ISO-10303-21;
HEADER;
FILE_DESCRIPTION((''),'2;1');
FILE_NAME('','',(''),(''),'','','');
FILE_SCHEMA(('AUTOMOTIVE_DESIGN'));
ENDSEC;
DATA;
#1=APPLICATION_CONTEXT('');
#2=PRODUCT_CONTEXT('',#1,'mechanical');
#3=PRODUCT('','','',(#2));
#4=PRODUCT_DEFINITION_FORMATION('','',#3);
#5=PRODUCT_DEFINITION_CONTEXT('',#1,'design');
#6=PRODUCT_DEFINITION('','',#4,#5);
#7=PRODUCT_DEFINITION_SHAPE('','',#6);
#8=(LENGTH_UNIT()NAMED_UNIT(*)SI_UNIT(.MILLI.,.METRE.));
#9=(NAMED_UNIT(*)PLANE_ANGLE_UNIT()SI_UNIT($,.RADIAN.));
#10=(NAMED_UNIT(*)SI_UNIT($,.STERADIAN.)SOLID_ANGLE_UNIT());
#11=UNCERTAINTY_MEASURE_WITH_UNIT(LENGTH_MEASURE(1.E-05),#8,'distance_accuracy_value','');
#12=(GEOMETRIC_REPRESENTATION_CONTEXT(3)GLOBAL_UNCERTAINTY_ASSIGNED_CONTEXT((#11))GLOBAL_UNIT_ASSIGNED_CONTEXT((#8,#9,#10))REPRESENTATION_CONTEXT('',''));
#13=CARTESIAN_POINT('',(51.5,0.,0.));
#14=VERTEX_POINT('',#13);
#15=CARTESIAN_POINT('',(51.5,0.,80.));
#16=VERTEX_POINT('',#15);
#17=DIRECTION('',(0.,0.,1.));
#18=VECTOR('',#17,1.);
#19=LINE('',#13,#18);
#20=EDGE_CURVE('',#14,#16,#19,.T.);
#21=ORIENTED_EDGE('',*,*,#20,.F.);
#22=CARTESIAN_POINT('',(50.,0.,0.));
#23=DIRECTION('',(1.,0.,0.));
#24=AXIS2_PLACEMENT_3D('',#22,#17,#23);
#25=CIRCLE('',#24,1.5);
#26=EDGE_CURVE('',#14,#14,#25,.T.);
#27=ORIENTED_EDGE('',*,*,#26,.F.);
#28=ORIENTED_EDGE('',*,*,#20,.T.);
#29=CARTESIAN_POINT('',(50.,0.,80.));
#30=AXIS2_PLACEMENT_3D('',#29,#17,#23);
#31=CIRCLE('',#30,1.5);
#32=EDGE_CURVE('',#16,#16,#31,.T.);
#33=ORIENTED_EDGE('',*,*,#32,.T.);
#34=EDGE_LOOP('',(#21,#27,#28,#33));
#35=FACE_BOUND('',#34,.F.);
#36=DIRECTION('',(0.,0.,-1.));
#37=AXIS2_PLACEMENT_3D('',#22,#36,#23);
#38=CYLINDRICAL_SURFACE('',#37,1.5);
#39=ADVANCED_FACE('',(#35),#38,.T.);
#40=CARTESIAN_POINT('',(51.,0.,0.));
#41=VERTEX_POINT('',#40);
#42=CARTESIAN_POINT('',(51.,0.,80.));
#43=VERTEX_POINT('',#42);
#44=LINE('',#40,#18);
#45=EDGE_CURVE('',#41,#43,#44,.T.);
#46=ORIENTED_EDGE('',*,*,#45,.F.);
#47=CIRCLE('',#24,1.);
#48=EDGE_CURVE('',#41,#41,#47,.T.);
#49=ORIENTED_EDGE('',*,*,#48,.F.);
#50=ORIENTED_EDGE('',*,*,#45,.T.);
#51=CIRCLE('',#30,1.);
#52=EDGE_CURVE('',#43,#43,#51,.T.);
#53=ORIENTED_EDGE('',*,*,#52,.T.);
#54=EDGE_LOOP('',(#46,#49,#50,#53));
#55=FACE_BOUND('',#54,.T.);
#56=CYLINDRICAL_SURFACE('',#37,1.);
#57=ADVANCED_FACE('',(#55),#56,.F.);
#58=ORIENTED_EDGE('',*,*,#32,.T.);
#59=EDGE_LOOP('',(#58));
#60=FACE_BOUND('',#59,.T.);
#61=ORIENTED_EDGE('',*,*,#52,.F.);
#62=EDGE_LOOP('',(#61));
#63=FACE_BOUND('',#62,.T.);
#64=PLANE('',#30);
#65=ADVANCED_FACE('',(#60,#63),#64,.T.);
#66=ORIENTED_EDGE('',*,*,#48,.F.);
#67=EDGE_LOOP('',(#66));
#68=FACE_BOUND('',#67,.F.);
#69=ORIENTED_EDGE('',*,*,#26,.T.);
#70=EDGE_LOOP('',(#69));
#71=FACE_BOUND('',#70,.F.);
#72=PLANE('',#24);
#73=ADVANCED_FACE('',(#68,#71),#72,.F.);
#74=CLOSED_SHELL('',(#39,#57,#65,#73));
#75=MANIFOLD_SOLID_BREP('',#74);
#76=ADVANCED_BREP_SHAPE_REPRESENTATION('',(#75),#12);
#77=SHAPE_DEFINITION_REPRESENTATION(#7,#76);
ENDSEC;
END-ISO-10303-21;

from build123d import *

# Parameters (mm, degrees)
SKETCH_R   = 1.5
SKETCH_R_2 = 1
PAD_DEPTH  = 80


with BuildPart() as part:
    # Sketch → Pad (new body)
    with BuildSketch(Plane(origin=(50, 0, 0), x_dir=(1, 0, 0), z_dir=(0, 0, 1))):
        Circle(SKETCH_R)
        Circle(SKETCH_R_2, mode=Mode.SUBTRACT)
    extrude(amount=PAD_DEPTH)


solid = part.part
